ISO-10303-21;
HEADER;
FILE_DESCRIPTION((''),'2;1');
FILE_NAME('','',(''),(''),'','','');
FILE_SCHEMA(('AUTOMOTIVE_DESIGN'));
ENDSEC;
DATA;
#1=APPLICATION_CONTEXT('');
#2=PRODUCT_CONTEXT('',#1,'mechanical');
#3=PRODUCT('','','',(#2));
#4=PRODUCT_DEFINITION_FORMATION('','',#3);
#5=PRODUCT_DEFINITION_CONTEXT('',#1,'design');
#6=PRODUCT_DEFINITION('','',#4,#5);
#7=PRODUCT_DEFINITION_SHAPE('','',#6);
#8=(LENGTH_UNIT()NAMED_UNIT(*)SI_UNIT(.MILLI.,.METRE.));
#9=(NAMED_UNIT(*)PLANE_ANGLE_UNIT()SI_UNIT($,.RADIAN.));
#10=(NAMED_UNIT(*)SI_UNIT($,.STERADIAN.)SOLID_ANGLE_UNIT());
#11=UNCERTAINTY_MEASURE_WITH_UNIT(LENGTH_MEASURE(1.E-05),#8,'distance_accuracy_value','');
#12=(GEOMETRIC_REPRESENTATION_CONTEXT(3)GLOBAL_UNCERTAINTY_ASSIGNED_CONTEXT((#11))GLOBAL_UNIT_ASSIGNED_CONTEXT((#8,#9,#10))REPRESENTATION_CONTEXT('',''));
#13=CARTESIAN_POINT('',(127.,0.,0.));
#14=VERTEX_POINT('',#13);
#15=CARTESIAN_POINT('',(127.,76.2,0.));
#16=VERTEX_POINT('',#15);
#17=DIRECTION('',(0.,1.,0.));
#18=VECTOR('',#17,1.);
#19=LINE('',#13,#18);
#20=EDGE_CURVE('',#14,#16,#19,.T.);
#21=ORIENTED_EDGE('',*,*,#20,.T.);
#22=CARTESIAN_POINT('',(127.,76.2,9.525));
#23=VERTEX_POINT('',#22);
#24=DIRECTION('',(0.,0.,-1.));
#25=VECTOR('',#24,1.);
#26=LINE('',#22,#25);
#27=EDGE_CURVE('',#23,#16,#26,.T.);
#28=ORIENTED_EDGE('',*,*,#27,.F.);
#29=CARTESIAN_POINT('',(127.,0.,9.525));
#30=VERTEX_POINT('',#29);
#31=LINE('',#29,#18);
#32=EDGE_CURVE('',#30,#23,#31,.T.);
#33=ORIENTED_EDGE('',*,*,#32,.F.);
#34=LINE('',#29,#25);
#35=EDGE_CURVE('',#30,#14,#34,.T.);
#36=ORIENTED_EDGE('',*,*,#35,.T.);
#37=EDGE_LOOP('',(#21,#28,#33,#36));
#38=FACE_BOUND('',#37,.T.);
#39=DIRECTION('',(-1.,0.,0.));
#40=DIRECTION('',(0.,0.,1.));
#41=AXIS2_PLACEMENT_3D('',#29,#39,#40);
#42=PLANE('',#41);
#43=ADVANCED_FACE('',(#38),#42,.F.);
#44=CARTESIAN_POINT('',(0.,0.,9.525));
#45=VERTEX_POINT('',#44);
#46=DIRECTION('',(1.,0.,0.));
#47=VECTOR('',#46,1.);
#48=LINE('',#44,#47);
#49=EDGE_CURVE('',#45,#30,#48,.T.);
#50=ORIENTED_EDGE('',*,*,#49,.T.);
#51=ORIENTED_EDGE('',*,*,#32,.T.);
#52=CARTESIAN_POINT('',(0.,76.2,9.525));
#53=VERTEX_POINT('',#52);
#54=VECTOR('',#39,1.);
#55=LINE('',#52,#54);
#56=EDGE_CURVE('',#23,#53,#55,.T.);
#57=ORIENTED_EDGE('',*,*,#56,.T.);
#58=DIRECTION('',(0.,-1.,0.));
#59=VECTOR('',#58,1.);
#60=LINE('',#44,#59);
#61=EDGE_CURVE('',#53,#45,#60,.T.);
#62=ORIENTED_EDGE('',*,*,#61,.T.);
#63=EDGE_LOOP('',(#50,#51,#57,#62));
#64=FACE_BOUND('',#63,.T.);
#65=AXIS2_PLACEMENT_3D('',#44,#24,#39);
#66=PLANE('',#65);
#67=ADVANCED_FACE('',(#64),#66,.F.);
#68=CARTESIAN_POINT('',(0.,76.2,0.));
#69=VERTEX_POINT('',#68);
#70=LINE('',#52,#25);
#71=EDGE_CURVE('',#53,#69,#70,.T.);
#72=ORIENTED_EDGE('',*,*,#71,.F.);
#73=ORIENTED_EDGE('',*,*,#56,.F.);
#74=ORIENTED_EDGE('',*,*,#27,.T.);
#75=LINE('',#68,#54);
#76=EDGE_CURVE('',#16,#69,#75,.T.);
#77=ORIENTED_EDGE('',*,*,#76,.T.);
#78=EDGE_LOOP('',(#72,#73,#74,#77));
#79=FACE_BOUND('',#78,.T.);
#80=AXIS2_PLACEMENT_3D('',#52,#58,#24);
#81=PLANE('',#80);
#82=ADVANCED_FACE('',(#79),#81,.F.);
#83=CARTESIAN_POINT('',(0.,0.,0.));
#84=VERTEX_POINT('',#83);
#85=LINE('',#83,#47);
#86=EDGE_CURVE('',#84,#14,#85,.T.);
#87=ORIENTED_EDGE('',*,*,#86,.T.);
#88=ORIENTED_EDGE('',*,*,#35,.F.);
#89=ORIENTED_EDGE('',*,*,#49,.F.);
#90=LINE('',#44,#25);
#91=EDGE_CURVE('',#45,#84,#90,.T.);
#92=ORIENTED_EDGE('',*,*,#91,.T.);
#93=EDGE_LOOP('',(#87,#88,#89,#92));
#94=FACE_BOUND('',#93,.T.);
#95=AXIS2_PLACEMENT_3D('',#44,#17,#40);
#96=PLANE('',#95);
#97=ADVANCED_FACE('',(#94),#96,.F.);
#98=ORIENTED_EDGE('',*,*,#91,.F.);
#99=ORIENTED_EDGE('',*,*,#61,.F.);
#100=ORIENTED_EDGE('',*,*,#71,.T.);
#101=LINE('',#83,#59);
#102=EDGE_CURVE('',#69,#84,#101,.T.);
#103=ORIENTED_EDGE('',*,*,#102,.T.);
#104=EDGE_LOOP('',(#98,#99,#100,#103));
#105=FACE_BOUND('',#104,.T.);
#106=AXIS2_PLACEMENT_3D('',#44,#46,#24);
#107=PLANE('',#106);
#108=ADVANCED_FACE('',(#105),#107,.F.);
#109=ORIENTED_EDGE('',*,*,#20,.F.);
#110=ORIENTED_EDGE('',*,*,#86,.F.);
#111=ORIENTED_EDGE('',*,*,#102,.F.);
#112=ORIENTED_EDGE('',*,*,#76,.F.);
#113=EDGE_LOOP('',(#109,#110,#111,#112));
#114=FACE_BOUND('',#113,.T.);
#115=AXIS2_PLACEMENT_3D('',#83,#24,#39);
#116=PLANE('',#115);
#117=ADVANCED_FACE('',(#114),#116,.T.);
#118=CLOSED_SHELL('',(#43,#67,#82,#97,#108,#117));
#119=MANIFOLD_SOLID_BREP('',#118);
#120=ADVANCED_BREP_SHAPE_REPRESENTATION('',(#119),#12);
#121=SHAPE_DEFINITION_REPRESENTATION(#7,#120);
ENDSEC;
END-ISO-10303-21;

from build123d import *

# Parameters (mm, degrees)
SKETCH1_W  = 127
SKETCH1_H  = 76.2
BASE_DEPTH = 9.525


with BuildPart() as part:
    # Sketch1 → base (new body)
    with BuildSketch(Plane.XY):
        with Locations((63.5, 38.1)):
            Rectangle(SKETCH1_W, SKETCH1_H)
    extrude(amount=BASE_DEPTH)


solid = part.part
